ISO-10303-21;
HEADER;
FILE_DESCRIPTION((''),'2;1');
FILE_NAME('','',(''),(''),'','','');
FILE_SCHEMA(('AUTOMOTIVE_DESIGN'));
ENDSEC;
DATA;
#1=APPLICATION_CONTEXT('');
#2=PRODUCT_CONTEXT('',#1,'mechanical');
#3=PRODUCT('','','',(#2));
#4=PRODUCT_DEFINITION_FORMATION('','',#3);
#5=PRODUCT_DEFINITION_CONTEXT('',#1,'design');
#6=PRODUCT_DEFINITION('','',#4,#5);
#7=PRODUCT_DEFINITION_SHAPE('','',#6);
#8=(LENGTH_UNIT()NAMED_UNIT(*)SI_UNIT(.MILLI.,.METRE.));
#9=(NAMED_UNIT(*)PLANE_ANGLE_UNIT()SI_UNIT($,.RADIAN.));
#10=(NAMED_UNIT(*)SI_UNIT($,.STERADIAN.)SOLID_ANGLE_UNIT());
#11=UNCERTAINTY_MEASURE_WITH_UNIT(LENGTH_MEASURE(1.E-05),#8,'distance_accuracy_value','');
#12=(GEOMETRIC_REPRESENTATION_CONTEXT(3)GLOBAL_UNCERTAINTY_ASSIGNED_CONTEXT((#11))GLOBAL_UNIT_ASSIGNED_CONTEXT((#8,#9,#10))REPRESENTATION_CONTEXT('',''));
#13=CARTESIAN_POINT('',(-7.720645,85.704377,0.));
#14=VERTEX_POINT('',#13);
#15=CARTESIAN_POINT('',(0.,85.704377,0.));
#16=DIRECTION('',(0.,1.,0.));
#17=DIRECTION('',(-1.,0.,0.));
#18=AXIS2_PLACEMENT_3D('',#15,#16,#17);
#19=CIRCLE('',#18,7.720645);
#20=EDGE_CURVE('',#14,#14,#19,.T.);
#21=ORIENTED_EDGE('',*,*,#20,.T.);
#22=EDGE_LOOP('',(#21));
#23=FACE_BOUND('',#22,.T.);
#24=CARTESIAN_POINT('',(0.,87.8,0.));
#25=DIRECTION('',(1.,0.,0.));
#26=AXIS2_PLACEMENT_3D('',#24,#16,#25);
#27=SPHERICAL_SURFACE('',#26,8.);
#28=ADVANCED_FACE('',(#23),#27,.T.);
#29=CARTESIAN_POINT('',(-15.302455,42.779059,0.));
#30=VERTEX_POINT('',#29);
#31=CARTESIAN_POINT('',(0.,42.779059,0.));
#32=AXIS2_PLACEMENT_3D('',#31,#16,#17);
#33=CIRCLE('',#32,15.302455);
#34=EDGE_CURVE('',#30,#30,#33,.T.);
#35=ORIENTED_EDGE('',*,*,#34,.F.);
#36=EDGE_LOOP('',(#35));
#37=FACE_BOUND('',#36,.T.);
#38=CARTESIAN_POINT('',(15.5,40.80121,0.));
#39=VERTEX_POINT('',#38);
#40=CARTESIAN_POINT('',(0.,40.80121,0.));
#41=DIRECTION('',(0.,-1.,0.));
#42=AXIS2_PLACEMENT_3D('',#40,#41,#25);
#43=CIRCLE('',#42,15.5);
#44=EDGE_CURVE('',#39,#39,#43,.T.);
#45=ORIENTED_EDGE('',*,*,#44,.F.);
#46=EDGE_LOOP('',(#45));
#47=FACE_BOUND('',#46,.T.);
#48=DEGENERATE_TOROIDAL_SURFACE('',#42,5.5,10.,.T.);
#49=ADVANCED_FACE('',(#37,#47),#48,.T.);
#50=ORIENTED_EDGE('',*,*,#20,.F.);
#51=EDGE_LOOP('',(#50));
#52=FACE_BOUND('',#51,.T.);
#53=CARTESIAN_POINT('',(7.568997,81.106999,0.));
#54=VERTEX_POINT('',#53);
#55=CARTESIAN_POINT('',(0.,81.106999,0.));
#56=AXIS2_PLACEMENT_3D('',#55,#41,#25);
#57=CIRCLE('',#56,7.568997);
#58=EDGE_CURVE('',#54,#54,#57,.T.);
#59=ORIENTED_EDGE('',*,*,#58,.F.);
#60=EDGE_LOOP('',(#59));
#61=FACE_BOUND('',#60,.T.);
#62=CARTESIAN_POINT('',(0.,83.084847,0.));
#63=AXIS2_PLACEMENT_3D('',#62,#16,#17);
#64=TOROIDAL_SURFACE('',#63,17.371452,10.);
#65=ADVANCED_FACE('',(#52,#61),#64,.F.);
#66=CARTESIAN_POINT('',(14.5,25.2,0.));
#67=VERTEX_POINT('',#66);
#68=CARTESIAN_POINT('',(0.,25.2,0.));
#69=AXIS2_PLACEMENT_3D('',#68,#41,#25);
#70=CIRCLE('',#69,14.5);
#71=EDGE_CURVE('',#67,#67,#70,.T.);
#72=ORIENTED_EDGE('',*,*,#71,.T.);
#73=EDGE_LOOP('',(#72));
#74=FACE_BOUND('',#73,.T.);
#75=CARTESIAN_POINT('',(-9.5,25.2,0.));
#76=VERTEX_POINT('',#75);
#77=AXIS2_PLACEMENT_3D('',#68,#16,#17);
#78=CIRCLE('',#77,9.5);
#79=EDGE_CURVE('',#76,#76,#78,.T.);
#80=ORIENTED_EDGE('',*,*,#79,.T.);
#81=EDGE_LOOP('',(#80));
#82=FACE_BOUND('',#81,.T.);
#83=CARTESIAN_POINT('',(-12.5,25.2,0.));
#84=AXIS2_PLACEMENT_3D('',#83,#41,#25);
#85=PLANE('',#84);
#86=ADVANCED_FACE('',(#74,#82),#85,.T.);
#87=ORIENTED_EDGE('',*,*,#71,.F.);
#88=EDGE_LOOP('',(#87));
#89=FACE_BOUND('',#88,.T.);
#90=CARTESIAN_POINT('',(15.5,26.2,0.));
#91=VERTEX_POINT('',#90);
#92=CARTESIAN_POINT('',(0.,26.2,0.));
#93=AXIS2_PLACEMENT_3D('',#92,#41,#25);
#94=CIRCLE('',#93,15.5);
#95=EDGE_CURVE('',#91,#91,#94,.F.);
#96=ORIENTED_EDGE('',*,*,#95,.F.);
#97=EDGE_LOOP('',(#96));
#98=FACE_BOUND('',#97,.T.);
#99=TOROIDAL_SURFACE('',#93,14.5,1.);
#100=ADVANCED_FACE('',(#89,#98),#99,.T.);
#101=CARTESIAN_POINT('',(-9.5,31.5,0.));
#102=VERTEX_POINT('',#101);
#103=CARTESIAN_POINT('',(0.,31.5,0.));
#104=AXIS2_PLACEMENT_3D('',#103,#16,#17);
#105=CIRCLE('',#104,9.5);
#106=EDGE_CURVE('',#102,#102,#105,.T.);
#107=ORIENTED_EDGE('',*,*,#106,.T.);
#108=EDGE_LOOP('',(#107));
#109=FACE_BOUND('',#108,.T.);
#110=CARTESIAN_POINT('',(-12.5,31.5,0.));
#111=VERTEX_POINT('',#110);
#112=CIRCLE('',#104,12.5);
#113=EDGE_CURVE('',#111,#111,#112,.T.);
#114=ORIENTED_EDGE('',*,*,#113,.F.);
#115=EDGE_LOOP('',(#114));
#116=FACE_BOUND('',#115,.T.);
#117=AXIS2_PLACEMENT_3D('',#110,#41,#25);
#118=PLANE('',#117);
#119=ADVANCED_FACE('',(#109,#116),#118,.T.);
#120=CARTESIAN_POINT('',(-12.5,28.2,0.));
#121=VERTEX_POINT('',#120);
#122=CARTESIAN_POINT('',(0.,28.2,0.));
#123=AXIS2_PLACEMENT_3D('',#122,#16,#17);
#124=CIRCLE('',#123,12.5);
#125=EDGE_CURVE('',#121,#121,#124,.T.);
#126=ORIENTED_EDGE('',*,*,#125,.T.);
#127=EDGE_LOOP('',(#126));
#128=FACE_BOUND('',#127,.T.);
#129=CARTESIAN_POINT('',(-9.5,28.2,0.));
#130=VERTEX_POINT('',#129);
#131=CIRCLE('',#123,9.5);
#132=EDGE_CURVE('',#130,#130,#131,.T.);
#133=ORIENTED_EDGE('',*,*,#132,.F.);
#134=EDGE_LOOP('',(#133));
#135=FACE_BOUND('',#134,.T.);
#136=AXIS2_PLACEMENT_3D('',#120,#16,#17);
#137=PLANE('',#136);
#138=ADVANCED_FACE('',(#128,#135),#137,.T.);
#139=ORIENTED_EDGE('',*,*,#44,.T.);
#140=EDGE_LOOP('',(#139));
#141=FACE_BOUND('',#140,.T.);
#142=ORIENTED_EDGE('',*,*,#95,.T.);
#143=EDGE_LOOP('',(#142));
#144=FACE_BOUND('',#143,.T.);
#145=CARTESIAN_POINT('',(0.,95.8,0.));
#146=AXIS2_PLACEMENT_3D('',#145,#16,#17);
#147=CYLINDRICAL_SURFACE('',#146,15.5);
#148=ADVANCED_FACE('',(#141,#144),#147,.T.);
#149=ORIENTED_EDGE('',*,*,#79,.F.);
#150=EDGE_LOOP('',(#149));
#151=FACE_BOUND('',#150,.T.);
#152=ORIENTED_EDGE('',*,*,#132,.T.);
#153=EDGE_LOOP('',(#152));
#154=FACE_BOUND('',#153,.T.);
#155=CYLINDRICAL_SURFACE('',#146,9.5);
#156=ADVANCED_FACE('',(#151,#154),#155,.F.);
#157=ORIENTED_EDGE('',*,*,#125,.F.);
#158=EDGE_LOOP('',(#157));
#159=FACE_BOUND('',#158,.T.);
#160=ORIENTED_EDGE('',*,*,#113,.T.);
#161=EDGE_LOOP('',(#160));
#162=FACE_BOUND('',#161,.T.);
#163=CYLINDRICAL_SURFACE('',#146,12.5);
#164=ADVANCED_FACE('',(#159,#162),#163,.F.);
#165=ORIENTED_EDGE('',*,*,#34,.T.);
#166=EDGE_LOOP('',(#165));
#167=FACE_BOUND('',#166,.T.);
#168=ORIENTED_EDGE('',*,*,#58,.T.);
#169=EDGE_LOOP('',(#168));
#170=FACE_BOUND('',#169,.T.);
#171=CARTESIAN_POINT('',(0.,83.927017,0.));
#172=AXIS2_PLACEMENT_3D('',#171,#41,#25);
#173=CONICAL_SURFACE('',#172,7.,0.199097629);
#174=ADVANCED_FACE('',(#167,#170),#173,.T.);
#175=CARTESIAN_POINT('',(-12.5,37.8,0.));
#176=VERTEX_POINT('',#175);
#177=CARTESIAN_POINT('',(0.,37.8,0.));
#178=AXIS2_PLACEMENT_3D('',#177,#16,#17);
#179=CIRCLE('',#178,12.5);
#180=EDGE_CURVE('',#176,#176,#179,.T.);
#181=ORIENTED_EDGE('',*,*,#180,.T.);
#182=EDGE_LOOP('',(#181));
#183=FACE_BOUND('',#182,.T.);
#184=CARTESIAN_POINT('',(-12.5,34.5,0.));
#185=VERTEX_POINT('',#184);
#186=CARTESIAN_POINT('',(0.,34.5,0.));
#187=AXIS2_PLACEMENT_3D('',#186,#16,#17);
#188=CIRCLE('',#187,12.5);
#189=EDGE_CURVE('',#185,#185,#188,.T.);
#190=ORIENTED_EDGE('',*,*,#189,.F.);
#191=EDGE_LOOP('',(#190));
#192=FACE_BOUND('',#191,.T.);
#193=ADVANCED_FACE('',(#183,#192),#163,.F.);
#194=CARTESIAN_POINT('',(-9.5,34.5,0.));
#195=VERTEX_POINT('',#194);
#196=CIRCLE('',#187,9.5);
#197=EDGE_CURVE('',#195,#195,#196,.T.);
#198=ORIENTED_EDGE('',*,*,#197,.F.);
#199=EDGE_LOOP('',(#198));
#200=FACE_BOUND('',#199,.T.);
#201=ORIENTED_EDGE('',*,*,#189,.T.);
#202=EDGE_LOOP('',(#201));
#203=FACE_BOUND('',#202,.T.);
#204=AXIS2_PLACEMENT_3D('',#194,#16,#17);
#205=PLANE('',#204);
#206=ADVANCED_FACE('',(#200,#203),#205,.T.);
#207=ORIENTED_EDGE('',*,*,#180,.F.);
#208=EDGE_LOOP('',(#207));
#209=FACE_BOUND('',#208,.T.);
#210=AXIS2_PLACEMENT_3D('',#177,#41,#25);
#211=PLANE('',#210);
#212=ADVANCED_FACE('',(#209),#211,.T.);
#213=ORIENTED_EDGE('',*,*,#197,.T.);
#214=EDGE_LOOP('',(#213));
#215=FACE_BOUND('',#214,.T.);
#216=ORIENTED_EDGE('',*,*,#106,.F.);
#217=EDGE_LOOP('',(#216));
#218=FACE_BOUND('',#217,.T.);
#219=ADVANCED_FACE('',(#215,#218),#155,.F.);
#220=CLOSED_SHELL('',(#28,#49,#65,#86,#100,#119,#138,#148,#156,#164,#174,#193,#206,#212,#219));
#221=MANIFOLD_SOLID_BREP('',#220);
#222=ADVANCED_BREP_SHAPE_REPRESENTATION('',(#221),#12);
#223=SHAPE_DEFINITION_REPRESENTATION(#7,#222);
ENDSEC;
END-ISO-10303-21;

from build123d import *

# Parameters (mm, degrees)
CONG_1_R = 10
CONG_2_R = 1


with BuildPart() as part:
    # Esquisse1 → Révolution2 (revolve)
    with BuildSketch(Plane.XY):
        with BuildLine():
            Line((-12.5, 28.2), (-12.5, 31.5))
            Line((-12.5, 31.5), (-9.5, 31.5))
            Line((-9.5, 31.5), (-9.5, 34.5))
            Line((-9.5, 34.5), (-12.5, 34.5))
            Line((-12.5, 34.5), (-12.5, 37.8))
            Line((-12.5, 37.8), (0, 37.8))
            Line((0, 37.8), (0, 95.8))
            ThreePointArc((0, 95.8), (-6.891439137, 91.863012013), (-7, 83.927016654))
            Line((-7, 83.927016654), (-15.5, 41.8))
            Line((-15.5, 41.8), (-15.5, 25.2))
            Line((-15.5, 25.2), (-12.5, 25.2))
            Line((-12.5, 25.2), (-9.5, 25.2))
            Line((-9.5, 25.2), (-9.5, 28.2))
            Line((-9.5, 28.2), (-12.5, 28.2))
        make_face()
    revolve(axis=Axis((0, 95.8, 0), (0, -1, 0)))

    # Congé1
    cong_1_edges = [part.edges().sort_by_distance(p)[0] for p in [
        (15.5, 41.8, 0),
        (7, 83.927016654, 0),
    ]]
    fillet(cong_1_edges, radius=CONG_1_R)

    # Congé2
    cong_2_edges = [part.edges().sort_by_distance(p)[0] for p in [
        (15.5, 25.2, 0),
    ]]
    fillet(cong_2_edges, radius=CONG_2_R)


solid = part.part
